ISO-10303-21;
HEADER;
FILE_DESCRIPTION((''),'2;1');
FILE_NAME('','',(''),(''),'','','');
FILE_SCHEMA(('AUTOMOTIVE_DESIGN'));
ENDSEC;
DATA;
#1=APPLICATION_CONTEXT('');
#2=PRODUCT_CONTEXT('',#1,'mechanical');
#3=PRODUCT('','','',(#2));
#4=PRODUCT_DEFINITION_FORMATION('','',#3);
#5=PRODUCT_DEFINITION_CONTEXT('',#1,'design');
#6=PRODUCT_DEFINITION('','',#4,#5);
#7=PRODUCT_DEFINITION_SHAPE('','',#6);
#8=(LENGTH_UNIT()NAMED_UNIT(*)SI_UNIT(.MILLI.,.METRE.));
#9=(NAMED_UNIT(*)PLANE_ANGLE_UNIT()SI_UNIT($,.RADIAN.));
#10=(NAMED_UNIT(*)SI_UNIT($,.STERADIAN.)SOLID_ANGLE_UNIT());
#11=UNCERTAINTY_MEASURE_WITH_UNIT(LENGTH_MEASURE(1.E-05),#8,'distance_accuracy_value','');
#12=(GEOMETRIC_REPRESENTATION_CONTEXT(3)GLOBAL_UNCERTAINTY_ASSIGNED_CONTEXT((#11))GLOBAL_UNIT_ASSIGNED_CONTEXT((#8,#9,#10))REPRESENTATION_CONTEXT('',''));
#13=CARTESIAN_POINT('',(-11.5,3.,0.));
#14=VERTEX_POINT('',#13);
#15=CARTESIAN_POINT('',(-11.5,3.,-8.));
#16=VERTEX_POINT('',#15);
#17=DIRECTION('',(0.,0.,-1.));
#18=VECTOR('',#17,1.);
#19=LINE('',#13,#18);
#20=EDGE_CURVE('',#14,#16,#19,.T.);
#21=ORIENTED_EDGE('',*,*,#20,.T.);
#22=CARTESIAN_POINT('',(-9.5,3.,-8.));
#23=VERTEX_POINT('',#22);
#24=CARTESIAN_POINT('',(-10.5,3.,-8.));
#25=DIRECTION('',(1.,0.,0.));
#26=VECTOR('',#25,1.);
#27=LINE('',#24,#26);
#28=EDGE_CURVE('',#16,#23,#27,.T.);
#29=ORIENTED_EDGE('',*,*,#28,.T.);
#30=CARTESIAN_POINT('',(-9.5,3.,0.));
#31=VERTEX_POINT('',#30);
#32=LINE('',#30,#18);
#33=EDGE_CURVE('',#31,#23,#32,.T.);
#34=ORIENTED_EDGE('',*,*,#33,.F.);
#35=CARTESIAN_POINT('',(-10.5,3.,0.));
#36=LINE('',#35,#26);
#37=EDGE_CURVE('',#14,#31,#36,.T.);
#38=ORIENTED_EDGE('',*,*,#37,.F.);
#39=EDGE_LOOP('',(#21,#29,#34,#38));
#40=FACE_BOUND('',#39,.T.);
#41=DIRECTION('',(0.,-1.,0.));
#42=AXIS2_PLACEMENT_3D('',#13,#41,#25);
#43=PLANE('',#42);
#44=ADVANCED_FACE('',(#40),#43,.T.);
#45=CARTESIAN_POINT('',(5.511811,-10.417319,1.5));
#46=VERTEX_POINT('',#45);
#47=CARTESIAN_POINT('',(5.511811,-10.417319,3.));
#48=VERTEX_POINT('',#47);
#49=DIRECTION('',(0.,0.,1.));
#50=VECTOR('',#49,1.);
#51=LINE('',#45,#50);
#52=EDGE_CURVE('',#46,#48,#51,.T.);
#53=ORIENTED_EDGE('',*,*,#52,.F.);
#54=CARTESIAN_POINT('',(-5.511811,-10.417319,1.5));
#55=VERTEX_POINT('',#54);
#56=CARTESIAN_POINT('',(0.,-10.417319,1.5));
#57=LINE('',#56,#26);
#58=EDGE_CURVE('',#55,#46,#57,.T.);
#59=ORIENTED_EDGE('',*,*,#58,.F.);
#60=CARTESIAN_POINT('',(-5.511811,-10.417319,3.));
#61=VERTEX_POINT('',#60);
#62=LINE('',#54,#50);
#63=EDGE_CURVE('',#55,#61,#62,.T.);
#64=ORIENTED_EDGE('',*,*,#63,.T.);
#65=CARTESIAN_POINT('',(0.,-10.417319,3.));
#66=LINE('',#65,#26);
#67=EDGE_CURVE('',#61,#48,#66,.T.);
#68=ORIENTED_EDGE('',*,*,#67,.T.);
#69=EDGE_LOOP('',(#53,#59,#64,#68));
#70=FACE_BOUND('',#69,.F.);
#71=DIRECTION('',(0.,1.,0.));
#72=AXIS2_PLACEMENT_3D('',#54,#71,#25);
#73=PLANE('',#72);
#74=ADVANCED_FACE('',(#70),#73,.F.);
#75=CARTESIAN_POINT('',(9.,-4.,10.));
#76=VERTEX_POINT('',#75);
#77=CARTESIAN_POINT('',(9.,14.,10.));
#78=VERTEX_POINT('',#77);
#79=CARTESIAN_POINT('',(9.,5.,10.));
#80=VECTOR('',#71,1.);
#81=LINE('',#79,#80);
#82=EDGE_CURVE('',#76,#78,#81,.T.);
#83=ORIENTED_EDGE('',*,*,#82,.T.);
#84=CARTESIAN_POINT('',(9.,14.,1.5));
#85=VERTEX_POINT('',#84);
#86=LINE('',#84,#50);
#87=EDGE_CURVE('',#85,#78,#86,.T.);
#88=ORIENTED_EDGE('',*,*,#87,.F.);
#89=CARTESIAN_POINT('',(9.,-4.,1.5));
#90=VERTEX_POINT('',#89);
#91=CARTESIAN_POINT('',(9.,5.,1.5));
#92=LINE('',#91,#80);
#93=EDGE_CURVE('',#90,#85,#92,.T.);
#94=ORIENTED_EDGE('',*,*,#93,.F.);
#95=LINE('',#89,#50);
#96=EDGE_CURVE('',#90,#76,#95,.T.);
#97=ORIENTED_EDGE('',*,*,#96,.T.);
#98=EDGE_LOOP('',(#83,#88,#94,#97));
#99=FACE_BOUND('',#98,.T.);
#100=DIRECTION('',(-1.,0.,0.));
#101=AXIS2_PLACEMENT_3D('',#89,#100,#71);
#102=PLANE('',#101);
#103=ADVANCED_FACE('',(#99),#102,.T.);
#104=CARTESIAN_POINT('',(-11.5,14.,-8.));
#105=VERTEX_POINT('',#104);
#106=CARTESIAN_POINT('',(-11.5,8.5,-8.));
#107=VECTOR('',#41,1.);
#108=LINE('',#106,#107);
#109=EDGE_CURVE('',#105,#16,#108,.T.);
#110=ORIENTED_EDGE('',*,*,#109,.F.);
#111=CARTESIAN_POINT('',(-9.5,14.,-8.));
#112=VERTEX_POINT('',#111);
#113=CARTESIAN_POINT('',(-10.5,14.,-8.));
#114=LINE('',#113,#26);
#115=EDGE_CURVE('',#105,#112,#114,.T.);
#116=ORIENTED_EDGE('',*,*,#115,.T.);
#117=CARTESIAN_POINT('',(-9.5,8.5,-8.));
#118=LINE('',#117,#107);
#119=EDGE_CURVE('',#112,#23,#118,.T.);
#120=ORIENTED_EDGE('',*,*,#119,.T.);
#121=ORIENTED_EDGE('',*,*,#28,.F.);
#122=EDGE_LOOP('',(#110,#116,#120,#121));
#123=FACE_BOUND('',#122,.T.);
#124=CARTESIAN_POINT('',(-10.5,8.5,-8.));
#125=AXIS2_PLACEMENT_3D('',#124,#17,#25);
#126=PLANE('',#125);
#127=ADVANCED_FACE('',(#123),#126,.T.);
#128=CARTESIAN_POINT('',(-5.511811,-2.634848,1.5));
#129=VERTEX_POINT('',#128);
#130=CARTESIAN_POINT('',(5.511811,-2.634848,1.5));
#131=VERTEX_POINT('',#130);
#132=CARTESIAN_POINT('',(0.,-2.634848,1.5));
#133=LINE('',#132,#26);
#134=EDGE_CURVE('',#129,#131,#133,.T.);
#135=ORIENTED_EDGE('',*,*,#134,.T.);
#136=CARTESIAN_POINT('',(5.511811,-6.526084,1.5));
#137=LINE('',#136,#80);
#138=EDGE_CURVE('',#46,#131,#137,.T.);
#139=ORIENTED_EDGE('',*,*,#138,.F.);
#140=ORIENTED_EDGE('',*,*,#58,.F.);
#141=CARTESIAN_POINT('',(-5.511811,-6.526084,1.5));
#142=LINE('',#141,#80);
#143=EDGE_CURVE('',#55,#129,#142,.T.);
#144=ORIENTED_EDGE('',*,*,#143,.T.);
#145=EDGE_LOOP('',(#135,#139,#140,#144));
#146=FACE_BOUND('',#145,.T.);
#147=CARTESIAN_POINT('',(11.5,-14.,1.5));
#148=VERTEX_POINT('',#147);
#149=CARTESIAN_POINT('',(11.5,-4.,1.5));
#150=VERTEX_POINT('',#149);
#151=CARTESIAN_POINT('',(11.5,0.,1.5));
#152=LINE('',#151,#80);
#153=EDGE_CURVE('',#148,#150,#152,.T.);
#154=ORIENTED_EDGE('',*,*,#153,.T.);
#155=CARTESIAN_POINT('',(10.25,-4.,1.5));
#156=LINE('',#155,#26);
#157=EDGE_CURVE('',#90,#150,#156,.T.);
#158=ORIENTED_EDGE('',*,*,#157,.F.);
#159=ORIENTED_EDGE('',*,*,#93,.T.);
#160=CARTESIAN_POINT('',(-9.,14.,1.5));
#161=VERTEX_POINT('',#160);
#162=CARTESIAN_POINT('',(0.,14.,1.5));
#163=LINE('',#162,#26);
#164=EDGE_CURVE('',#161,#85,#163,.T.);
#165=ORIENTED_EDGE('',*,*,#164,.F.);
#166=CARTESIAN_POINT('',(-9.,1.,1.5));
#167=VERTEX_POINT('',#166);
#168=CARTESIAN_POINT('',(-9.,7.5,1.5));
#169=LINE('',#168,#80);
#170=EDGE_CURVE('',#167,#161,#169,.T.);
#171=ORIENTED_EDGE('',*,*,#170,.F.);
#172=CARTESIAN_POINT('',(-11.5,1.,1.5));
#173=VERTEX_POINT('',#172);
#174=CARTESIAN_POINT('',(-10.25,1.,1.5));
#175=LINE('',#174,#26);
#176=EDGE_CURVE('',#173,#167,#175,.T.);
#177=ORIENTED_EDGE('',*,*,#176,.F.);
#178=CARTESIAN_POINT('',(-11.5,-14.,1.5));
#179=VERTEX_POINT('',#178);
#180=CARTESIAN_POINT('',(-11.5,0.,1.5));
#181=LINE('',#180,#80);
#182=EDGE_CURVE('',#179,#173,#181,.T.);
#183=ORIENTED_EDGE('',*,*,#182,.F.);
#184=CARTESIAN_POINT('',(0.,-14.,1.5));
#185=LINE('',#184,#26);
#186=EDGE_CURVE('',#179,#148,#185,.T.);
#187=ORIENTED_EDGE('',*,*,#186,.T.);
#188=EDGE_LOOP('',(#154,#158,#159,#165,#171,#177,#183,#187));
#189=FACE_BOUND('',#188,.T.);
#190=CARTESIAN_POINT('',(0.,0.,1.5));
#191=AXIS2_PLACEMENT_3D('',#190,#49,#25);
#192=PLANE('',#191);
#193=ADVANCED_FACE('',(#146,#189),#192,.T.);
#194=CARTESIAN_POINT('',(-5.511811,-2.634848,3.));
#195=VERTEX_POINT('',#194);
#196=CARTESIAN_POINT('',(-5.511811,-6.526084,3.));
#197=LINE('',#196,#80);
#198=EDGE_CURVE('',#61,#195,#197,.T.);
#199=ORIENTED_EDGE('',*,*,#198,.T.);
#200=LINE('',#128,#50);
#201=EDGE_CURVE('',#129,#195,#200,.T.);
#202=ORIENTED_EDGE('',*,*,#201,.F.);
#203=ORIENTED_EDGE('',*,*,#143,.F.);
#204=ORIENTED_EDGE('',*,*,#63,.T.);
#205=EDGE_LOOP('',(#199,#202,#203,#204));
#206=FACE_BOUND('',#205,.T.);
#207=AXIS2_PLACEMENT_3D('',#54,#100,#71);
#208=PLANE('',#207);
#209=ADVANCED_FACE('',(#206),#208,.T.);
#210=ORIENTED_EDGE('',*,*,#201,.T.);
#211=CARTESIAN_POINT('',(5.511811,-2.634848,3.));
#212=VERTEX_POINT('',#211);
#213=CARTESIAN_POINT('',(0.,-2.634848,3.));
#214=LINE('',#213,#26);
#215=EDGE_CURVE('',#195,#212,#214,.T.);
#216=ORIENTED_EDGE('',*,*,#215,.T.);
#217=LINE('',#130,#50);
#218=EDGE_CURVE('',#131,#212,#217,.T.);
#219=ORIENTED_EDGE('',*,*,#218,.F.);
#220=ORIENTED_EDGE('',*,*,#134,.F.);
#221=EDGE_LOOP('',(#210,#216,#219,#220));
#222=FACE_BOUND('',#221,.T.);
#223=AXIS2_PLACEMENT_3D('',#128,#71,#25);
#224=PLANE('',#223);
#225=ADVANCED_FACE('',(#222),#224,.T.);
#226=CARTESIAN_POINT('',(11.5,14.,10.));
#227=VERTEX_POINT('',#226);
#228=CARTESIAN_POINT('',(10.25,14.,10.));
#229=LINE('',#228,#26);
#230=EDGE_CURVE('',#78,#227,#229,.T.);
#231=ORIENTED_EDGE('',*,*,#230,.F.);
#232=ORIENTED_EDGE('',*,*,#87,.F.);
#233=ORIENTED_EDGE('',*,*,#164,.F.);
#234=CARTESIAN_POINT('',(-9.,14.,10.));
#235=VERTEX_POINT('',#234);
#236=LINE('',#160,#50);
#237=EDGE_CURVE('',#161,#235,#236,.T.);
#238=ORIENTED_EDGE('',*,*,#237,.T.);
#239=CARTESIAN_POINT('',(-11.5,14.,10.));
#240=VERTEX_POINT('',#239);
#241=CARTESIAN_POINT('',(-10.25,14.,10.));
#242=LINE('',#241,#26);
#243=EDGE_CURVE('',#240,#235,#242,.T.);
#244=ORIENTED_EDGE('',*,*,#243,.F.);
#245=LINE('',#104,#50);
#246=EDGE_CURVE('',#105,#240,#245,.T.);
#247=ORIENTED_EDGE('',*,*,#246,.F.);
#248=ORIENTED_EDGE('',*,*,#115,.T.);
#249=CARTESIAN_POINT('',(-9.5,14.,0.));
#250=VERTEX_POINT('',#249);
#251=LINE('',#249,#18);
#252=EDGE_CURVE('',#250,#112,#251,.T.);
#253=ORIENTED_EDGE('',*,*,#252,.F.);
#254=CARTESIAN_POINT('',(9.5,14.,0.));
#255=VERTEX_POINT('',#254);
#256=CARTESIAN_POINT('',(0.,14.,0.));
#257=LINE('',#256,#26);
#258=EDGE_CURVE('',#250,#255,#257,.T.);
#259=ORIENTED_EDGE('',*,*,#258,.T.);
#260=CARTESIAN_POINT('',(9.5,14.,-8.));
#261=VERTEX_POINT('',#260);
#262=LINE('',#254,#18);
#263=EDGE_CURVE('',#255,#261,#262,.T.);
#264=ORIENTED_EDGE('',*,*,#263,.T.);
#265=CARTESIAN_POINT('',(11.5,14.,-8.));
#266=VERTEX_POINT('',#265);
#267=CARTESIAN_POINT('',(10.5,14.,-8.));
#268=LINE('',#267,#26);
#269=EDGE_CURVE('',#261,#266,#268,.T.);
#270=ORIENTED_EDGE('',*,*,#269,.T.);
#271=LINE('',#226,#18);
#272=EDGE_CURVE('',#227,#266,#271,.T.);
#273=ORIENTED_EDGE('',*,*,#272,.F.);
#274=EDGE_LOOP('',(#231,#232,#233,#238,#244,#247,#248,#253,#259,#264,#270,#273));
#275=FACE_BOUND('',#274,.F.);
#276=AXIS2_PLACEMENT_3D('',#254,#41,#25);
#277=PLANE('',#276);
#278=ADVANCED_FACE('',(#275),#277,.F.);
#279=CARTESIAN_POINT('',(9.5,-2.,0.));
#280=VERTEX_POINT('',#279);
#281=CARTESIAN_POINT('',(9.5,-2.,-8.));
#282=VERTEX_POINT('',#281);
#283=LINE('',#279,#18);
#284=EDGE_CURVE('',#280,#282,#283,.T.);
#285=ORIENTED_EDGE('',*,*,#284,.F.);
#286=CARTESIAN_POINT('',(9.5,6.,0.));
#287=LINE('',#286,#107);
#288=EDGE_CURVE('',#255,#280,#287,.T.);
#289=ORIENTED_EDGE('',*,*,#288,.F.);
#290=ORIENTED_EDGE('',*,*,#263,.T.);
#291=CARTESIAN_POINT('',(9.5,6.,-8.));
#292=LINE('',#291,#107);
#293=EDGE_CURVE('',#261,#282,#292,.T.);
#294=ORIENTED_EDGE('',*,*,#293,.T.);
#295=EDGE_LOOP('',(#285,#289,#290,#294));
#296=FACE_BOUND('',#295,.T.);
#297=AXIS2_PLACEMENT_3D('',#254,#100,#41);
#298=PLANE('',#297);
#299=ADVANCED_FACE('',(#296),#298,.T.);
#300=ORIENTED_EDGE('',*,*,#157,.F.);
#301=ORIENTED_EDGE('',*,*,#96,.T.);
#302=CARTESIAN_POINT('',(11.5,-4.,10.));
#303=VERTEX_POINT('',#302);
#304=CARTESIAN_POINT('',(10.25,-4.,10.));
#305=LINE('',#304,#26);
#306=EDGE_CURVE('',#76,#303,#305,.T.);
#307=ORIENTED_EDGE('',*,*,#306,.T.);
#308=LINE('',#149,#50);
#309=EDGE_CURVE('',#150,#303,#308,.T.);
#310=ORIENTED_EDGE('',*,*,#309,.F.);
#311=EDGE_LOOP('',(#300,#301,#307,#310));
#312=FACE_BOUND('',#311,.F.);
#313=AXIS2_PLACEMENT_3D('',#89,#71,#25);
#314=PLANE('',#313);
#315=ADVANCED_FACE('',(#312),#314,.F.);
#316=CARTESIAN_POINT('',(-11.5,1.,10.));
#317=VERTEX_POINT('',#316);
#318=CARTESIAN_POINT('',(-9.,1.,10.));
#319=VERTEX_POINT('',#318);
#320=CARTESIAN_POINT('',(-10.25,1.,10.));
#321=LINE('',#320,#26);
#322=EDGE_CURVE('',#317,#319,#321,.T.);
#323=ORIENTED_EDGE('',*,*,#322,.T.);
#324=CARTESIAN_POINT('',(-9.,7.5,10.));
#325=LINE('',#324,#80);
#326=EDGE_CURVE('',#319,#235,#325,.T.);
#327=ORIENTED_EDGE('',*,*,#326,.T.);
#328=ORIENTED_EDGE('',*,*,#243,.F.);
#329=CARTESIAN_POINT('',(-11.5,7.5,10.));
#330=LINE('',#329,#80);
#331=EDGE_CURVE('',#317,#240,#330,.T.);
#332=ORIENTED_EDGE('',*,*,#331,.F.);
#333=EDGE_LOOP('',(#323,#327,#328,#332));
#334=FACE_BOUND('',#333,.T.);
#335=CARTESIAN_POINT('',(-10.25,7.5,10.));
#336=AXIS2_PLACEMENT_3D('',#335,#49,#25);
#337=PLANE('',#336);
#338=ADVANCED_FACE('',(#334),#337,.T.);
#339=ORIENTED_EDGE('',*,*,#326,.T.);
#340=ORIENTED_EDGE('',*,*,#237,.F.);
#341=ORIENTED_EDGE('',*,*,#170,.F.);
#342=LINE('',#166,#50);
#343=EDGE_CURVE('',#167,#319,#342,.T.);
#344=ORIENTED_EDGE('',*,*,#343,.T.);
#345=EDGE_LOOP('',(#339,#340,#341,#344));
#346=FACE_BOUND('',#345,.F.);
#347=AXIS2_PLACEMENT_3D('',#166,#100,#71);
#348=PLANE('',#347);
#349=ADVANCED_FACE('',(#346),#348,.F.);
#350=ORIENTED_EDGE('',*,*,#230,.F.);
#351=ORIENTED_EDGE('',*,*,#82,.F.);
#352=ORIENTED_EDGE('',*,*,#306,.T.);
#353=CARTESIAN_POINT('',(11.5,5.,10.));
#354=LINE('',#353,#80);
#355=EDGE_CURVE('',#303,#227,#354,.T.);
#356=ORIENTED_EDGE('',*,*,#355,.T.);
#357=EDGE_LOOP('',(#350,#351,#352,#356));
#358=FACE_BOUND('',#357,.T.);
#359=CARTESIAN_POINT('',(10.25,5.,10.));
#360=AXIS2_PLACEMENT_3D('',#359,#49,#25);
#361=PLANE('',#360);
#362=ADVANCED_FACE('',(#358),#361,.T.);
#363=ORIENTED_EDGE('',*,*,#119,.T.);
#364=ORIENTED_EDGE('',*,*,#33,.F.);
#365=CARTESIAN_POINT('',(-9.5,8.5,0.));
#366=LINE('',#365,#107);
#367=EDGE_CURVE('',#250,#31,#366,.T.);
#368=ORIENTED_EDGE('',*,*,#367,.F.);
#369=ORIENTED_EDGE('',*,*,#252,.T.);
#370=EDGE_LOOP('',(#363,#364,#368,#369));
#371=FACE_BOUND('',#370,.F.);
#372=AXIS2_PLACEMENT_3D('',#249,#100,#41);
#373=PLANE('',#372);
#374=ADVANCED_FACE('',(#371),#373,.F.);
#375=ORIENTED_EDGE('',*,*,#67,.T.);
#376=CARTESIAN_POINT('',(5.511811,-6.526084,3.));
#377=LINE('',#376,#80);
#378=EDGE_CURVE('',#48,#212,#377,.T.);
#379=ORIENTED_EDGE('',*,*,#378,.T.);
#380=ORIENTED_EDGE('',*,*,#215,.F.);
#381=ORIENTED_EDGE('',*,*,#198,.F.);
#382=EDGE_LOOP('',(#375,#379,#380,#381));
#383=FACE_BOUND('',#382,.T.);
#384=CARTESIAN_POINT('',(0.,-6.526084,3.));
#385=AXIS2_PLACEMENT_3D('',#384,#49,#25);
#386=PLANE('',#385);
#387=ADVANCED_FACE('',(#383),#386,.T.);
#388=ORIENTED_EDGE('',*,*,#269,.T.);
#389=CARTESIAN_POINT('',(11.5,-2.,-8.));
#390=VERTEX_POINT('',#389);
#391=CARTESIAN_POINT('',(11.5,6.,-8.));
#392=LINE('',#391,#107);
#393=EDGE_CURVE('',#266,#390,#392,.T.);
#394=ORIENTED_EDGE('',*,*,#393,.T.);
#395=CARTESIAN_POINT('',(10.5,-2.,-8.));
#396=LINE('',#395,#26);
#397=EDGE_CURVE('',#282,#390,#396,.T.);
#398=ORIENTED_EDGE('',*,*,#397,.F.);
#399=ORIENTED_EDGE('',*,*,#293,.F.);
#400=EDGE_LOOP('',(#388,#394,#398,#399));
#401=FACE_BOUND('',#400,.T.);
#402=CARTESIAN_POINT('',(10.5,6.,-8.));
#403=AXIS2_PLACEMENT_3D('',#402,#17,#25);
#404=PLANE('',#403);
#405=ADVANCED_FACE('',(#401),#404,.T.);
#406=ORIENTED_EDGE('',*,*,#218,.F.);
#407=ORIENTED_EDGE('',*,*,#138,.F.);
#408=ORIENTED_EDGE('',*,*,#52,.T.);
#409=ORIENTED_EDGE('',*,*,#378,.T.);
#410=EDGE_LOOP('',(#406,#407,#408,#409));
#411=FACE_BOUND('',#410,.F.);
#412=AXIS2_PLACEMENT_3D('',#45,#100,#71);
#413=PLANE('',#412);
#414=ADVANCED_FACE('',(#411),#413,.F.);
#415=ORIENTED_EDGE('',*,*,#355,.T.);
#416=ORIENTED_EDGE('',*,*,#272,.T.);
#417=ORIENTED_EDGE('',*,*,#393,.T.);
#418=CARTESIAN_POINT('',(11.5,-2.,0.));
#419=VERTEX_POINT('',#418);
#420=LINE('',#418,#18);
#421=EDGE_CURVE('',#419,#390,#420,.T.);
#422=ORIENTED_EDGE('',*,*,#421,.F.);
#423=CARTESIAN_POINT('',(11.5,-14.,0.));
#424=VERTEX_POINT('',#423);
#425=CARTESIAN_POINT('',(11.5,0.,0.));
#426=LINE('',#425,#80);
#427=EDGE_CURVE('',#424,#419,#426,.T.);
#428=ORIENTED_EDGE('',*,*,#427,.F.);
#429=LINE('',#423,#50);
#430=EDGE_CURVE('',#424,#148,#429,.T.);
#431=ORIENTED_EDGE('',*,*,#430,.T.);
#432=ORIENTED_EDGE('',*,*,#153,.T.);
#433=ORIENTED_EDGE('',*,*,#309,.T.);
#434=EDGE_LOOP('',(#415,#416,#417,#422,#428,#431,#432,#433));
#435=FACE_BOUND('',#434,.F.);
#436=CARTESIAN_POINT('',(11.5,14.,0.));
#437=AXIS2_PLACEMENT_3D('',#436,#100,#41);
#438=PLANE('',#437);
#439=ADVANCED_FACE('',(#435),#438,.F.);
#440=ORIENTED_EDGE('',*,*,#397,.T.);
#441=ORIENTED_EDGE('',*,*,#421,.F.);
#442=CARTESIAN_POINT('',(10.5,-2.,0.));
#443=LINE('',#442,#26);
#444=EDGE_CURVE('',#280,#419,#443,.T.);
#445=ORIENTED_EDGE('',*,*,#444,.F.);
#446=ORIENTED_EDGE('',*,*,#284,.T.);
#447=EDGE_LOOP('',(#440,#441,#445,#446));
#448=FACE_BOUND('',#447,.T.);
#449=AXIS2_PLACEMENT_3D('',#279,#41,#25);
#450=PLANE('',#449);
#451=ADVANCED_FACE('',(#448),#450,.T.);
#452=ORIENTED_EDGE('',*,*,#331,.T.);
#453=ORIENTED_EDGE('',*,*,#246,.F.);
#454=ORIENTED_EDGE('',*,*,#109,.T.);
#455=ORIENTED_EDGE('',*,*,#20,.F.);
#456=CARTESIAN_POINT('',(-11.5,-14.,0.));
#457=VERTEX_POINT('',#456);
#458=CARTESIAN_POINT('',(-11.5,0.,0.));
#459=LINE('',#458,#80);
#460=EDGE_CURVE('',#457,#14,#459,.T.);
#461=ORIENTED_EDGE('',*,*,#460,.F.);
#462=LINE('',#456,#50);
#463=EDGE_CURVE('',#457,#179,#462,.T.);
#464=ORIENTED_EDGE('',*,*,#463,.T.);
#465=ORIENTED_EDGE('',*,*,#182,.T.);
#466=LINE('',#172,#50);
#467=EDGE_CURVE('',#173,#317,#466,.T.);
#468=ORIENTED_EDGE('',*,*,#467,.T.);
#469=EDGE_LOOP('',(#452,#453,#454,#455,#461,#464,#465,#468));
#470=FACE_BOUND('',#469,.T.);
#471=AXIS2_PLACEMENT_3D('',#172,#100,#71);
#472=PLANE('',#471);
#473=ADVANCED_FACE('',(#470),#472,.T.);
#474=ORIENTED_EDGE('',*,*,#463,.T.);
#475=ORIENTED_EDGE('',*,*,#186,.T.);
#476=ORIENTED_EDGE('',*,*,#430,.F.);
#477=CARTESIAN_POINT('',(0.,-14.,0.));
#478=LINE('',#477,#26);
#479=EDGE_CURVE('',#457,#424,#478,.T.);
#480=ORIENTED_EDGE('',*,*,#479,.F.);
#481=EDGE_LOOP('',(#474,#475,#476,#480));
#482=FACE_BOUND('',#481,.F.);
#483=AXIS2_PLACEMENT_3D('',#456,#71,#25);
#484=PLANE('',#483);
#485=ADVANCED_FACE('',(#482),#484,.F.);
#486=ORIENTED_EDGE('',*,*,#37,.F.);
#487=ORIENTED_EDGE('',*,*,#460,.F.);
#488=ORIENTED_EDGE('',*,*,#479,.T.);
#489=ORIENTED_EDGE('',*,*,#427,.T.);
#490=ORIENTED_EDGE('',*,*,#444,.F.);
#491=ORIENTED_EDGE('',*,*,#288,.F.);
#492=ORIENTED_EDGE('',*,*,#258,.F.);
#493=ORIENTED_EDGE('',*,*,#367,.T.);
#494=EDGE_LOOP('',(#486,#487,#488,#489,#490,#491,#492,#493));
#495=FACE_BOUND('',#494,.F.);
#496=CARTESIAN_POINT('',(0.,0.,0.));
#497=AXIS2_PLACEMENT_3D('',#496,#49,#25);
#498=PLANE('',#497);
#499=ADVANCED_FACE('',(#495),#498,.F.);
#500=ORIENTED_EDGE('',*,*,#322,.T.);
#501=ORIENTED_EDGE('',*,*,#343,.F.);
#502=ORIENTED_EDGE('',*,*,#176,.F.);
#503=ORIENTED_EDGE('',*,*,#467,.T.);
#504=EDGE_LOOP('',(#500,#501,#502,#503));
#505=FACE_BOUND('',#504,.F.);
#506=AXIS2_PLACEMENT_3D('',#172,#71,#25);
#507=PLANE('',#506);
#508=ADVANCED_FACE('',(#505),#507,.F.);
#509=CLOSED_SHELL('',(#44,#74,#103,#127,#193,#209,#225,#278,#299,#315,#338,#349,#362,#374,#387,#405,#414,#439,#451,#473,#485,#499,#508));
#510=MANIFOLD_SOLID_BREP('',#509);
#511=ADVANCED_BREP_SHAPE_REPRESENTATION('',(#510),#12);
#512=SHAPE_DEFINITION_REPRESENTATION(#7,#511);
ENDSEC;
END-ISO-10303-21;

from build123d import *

# Parameters (mm, degrees)
F0_W     = 23
F0_H     = 28
F1_DEPTH = 1.5
F2_W     = 2.5
F2_H     = 13
F2_H_2   = 18
F3_DEPTH = 8.5
F4_W     = 2
F4_H     = 16
F4_H_2   = 11
F5_DEPTH = 8
F6_W     = 11.023622
F6_H     = 7.782471
F7_DEPTH = 1.5


with BuildPart() as f1:
    # F0 (on Top) → F1 (new body)
    with BuildSketch(Plane.XY):
        Rectangle(F0_W, F0_H)
    extrude(amount=F1_DEPTH)

    # F2 (on face) → F3 (join)
    with BuildSketch(Plane.XY.offset(1.5)):
        with Locations((-10.25, 7.5)):
            Rectangle(F2_W, F2_H)
        with Locations((10.25, 5)):
            Rectangle(F2_W, F2_H_2)
    extrude(amount=F3_DEPTH)

    # F4 (on face) → F5 (join)
    with BuildSketch(Plane(origin=(0, 0, 0), x_dir=(1, 0, 0), z_dir=(0, 0, -1))):
        with Locations((10.5, -6)):
            Rectangle(F4_W, F4_H)
        with Locations((-10.5, -8.5)):
            Rectangle(F4_W, F4_H_2)
    extrude(amount=F5_DEPTH)

    # F6 (on face) → F7 (join)
    with BuildSketch(Plane.XY.offset(1.5)):
        with Locations((0, -6.526084)):
            Rectangle(F6_W, F6_H)
    extrude(amount=F7_DEPTH)


solid = f1.part
